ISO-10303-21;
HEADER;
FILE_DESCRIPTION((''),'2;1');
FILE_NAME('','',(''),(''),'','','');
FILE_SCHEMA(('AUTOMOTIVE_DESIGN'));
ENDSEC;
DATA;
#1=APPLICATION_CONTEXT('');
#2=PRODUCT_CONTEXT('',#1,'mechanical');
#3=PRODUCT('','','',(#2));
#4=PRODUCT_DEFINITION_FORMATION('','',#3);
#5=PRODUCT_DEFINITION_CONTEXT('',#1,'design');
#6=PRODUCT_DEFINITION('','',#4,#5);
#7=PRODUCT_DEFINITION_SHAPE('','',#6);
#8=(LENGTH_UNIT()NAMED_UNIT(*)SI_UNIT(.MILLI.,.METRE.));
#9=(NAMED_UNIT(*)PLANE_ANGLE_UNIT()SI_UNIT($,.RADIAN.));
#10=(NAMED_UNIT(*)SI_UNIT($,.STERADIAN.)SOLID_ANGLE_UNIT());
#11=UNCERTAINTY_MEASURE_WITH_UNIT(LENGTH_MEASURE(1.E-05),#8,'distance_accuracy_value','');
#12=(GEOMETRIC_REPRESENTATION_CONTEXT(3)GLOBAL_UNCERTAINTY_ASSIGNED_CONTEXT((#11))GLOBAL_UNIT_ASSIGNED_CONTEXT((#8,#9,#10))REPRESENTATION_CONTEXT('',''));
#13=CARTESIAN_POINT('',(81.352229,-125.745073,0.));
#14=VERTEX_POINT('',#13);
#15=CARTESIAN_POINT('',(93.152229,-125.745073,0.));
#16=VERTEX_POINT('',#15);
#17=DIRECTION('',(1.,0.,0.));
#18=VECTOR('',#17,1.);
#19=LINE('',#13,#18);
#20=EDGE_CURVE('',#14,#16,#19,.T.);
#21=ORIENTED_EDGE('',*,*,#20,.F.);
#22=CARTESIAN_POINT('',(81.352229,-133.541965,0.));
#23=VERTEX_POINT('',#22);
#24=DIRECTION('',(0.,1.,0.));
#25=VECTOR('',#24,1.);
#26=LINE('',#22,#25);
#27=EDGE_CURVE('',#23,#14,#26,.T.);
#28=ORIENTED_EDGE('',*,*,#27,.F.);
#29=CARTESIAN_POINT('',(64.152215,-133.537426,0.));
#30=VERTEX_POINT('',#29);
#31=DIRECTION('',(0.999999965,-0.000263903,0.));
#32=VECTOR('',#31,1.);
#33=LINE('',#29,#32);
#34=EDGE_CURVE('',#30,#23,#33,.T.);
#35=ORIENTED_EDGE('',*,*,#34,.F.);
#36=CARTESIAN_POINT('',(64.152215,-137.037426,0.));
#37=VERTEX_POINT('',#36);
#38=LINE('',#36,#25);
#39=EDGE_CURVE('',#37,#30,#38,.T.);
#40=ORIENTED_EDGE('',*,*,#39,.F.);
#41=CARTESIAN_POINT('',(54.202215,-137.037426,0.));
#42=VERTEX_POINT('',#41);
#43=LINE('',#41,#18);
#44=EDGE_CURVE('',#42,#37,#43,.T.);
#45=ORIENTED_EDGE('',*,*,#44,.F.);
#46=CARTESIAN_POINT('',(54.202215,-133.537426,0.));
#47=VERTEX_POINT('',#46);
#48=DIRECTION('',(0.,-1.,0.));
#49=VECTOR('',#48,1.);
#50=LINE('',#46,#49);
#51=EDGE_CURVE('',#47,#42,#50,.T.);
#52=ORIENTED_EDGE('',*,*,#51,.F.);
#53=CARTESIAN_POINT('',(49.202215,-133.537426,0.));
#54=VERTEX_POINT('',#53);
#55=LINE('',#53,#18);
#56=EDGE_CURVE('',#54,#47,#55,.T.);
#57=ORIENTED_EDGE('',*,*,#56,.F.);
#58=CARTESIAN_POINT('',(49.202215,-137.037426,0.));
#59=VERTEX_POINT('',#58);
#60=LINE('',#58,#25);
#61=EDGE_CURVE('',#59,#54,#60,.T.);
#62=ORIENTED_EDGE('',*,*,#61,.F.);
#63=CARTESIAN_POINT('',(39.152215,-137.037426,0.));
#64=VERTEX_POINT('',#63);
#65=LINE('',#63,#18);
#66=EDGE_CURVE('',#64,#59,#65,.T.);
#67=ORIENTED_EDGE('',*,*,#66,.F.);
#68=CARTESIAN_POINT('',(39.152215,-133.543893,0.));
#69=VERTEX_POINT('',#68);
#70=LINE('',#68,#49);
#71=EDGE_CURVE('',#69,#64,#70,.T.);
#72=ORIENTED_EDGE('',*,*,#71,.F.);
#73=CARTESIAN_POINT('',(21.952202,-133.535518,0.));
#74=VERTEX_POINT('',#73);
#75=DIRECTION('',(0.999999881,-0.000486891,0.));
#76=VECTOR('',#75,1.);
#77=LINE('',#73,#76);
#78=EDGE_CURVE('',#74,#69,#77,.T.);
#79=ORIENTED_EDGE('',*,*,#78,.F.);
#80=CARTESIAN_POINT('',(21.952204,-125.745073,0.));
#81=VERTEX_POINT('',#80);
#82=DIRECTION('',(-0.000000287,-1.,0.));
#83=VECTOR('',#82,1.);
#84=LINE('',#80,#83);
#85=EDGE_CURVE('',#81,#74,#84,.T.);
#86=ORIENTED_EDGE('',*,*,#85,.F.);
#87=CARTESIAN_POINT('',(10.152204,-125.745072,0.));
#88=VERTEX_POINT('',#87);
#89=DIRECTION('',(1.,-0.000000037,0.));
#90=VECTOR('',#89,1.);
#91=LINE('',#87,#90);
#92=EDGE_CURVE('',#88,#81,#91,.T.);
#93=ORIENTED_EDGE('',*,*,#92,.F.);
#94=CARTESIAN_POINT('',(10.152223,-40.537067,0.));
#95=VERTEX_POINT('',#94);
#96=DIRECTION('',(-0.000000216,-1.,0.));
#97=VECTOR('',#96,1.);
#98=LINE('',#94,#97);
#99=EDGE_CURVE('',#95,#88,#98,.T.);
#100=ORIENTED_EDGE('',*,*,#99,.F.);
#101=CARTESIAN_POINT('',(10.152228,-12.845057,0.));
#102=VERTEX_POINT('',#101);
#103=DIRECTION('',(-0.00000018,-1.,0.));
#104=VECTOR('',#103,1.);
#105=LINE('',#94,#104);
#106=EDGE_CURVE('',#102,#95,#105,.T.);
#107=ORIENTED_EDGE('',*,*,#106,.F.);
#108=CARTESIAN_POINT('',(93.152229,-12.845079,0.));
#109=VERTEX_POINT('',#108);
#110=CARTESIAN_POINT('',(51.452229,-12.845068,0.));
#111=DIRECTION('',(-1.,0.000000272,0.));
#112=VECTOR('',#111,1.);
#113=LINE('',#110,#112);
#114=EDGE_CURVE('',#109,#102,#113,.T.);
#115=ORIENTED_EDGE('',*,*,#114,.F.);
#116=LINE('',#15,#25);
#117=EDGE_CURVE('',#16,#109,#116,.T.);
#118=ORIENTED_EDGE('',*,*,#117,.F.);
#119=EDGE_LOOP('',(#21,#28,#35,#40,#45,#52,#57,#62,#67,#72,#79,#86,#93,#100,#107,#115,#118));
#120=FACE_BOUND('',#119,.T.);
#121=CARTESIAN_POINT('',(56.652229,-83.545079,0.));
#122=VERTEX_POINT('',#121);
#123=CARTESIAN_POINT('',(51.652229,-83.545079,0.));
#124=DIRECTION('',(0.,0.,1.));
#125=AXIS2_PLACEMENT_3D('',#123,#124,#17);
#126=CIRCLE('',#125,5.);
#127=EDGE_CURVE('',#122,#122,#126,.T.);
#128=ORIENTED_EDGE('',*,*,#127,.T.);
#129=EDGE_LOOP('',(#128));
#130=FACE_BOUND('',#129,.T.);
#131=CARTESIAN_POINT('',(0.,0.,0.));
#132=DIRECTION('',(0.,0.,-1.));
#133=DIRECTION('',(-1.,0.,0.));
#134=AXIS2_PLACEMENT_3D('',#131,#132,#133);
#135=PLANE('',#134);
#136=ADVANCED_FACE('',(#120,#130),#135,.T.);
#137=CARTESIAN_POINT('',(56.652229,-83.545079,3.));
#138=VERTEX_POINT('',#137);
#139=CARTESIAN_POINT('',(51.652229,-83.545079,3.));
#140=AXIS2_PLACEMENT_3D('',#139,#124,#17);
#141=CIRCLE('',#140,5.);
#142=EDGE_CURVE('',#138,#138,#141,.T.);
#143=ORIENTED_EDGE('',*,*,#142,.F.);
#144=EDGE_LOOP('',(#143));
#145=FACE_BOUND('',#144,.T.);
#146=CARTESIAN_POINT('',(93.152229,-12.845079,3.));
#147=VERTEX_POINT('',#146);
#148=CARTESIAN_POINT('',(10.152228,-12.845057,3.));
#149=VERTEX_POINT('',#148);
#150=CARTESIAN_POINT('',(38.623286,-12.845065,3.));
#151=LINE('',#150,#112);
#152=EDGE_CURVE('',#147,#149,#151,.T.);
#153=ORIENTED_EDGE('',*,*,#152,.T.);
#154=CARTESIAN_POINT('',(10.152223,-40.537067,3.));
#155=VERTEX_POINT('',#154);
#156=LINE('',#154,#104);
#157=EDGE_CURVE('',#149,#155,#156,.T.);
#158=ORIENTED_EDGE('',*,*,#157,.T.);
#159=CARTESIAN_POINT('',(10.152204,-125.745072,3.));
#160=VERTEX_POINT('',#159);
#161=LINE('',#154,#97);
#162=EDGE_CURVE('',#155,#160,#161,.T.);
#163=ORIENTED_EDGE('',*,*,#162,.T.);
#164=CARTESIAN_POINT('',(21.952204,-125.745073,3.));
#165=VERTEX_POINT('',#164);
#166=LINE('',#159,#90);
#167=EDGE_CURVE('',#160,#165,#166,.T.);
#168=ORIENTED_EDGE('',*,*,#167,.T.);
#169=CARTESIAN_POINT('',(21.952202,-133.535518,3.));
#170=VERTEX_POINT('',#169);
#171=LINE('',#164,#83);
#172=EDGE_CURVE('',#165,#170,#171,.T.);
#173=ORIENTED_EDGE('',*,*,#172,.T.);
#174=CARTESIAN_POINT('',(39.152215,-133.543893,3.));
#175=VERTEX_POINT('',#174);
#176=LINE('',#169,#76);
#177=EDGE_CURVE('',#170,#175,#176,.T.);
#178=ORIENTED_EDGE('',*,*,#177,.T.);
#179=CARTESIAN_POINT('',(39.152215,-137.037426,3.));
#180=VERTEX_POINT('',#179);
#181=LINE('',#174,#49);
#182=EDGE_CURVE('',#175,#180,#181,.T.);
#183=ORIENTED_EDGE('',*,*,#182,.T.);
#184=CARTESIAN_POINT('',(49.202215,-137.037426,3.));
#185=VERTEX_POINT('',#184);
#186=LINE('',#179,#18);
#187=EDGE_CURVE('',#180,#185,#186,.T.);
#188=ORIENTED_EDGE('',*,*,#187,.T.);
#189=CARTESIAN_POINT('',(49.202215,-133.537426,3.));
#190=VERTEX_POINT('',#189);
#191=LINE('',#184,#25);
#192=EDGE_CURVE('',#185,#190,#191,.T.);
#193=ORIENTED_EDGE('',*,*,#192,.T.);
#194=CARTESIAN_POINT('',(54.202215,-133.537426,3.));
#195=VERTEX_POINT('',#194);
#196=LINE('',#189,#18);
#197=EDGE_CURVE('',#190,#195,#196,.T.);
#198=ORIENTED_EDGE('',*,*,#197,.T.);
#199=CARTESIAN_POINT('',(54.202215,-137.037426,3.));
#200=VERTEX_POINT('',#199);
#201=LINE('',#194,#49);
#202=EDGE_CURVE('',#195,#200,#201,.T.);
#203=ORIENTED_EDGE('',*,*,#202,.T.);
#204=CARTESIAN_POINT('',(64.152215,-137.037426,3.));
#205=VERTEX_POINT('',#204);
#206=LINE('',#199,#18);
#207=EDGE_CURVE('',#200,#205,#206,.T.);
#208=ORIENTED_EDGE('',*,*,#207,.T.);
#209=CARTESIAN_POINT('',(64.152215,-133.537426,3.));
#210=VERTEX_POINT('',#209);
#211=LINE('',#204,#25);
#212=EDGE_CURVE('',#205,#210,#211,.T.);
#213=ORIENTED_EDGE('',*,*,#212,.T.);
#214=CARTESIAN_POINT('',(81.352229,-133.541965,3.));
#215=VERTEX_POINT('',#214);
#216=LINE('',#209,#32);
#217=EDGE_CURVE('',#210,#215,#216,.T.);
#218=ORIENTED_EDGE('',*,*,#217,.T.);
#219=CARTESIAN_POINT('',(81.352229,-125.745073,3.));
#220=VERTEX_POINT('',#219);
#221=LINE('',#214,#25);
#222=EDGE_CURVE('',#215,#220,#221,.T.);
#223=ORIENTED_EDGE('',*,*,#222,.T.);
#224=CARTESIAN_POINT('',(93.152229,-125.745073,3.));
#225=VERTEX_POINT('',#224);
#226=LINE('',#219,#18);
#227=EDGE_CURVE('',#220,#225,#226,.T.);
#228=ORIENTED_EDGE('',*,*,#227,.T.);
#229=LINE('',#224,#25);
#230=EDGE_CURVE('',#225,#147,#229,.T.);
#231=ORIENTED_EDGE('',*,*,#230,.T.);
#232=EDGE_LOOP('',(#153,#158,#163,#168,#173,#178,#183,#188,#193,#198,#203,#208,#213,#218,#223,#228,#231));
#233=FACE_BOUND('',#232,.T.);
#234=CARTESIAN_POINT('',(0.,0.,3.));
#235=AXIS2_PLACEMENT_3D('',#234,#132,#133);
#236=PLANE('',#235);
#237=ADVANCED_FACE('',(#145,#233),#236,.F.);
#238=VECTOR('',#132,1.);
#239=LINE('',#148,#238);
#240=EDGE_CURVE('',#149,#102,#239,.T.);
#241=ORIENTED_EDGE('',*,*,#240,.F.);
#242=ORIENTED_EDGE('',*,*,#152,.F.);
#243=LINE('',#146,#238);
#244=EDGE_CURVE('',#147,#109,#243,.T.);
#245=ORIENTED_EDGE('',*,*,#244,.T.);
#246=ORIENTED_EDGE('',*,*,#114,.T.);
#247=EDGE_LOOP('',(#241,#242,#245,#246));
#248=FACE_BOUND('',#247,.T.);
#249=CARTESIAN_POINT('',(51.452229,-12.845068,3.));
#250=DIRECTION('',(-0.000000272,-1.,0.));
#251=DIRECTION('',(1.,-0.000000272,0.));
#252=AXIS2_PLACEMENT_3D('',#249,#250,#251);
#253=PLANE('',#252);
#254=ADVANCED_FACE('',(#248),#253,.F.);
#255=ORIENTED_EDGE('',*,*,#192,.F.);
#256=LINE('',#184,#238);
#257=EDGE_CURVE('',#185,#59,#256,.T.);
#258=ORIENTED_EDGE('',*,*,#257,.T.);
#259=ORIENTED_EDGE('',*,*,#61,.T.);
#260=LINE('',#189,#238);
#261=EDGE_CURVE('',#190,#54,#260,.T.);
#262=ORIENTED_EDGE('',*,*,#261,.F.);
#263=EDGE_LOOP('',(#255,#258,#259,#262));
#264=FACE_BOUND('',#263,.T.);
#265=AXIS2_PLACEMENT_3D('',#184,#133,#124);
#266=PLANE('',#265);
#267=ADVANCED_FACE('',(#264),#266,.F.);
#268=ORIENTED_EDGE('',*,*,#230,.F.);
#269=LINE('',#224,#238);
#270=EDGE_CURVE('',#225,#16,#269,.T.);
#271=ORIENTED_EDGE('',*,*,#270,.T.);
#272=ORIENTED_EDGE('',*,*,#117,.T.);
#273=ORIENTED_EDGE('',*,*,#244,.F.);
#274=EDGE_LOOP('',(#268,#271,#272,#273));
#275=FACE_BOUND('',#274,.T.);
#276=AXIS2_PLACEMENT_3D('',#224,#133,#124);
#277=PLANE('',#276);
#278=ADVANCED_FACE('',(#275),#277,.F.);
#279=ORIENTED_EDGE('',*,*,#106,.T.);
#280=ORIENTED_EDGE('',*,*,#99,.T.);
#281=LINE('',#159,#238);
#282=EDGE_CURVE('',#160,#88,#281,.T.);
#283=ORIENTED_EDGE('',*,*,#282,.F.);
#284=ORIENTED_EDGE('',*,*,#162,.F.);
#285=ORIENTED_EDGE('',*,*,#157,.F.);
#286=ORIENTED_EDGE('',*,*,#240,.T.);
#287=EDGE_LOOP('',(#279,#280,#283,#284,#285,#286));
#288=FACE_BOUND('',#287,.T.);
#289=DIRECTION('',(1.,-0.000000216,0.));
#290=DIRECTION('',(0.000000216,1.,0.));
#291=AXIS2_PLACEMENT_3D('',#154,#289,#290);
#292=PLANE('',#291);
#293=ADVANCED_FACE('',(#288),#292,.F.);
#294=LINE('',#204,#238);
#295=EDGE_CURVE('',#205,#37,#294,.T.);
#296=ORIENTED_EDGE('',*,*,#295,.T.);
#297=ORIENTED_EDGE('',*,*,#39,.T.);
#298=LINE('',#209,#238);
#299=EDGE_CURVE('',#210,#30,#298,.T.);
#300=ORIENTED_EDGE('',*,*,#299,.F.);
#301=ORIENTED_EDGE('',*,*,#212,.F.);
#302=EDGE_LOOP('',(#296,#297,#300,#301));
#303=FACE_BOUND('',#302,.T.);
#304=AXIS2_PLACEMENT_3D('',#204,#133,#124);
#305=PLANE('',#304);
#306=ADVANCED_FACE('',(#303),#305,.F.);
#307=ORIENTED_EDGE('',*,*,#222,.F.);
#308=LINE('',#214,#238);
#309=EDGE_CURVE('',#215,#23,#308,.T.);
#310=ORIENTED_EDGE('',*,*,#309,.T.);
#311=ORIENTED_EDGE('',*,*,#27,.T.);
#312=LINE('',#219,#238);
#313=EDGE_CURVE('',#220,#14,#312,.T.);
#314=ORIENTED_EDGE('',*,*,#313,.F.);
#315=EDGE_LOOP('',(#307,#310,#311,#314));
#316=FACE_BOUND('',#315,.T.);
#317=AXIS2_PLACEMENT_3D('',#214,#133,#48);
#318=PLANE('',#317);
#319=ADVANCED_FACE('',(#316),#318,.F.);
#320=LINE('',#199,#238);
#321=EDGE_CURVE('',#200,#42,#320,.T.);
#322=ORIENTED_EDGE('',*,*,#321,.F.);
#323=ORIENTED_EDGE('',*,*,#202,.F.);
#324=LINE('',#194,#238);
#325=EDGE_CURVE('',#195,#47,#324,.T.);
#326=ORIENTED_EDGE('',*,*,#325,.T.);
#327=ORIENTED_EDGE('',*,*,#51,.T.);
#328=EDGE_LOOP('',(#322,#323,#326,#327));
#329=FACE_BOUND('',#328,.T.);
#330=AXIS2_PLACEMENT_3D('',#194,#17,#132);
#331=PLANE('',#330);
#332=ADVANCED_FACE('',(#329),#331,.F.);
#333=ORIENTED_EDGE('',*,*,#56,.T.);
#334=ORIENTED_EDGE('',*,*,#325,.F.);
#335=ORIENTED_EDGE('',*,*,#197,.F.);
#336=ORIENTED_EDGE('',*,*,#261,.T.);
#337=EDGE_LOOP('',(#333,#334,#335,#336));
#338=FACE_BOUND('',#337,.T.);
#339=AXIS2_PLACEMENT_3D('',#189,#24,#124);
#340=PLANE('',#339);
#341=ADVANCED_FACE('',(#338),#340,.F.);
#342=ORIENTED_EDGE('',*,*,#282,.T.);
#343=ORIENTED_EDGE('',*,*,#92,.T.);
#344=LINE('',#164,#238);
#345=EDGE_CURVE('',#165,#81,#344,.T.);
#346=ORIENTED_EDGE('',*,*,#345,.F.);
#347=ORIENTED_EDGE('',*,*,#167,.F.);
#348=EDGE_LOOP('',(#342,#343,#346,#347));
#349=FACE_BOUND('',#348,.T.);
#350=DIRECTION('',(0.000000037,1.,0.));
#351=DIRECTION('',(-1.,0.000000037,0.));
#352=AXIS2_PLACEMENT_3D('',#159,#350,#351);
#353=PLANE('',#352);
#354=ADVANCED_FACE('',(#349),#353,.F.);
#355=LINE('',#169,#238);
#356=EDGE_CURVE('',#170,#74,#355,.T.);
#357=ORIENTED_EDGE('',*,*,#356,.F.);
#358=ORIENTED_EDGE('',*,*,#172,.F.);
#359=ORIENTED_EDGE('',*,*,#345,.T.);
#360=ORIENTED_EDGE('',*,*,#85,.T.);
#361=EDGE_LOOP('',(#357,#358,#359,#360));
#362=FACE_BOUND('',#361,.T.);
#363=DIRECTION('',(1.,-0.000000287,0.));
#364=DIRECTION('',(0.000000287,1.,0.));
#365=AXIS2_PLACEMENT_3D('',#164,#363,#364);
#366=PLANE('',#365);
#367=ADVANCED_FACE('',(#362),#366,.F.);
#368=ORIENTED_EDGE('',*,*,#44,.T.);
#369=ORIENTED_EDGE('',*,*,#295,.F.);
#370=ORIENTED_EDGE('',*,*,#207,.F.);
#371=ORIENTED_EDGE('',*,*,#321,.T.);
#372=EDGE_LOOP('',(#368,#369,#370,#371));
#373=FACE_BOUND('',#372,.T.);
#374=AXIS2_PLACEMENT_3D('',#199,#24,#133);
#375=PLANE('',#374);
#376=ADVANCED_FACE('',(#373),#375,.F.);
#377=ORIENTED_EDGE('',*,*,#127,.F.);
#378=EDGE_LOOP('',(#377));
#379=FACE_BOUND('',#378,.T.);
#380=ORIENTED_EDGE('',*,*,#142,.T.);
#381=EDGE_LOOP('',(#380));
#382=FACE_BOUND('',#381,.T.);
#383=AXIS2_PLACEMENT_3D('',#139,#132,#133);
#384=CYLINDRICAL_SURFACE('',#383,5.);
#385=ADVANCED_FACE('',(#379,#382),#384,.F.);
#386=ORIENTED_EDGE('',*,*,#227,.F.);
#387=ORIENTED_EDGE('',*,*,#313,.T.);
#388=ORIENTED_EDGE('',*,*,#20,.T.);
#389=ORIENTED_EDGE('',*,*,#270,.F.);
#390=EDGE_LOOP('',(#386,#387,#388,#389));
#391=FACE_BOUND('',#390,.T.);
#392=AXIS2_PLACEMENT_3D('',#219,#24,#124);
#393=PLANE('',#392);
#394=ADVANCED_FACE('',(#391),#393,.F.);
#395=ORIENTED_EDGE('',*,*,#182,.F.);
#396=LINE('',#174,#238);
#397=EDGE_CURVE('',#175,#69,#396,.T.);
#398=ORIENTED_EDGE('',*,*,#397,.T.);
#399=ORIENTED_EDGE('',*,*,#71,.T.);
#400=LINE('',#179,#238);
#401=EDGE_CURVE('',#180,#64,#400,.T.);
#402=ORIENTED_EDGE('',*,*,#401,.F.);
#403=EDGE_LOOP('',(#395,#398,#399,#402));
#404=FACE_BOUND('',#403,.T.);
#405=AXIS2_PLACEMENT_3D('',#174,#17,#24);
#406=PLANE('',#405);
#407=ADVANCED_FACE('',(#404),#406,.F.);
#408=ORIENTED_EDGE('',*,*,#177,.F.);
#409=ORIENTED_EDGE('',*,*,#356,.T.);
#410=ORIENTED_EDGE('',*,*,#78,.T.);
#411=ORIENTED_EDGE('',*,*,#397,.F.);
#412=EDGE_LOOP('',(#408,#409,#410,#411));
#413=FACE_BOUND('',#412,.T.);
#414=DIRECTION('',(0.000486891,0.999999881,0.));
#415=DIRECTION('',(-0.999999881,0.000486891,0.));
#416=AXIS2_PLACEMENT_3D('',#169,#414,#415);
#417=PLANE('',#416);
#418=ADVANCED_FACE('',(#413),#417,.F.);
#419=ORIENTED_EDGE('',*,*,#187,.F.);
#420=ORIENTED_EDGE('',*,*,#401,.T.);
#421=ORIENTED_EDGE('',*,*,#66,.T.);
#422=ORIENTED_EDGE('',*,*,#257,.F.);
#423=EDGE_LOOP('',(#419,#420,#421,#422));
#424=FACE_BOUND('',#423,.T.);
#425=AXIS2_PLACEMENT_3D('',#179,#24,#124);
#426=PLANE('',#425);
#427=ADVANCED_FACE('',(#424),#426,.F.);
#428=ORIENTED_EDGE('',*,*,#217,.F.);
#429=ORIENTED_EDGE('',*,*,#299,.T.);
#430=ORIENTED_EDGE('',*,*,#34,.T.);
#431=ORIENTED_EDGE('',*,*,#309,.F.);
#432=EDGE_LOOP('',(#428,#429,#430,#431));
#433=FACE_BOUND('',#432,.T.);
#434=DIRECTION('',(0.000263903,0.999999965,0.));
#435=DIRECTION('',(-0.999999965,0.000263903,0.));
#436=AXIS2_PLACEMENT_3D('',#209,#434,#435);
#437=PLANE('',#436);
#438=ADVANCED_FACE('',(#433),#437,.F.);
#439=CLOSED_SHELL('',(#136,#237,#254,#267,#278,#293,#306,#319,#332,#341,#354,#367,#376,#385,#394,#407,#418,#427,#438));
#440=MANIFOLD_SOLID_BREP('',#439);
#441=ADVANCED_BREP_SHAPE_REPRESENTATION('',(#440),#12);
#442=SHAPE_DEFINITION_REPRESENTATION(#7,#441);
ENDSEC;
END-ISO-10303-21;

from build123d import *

# Parameters (mm, degrees)
MODEL_R                 = 5
SALIENTE_EXTRUIR1_DEPTH = 3


with BuildPart() as part:
    # Model → Saliente-Extruir1 (new body)
    with BuildSketch(Plane.XY):
        Polygon((51.452228979, -12.845067988), (64.29161116, -12.845071475), (93.152229006, -12.845079314), (93.152229006, -125.745072524), (81.352229006, -125.745072524), (81.352229006, -133.541965254), (64.152215459, -133.537426112), (64.152215459, -137.037426112), (54.202215459, -137.037426112), (54.202215459, -133.537426112), (49.202215459, -133.537426112), (49.202215459, -137.037426112), (39.152215459, -137.037426112), (39.152215459, -133.543892764), (21.952201913, -133.535518228), (21.95220415, -125.745072524), (10.152204277, -125.745072081), (10.152222671, -40.537066854), (10.152227654, -12.845056771), (38.62328624, -12.845064504), align=None)
        with Locations((51.652229006, -83.545079314)):
            Circle(MODEL_R, mode=Mode.SUBTRACT)
    extrude(amount=SALIENTE_EXTRUIR1_DEPTH)


solid = part.part
